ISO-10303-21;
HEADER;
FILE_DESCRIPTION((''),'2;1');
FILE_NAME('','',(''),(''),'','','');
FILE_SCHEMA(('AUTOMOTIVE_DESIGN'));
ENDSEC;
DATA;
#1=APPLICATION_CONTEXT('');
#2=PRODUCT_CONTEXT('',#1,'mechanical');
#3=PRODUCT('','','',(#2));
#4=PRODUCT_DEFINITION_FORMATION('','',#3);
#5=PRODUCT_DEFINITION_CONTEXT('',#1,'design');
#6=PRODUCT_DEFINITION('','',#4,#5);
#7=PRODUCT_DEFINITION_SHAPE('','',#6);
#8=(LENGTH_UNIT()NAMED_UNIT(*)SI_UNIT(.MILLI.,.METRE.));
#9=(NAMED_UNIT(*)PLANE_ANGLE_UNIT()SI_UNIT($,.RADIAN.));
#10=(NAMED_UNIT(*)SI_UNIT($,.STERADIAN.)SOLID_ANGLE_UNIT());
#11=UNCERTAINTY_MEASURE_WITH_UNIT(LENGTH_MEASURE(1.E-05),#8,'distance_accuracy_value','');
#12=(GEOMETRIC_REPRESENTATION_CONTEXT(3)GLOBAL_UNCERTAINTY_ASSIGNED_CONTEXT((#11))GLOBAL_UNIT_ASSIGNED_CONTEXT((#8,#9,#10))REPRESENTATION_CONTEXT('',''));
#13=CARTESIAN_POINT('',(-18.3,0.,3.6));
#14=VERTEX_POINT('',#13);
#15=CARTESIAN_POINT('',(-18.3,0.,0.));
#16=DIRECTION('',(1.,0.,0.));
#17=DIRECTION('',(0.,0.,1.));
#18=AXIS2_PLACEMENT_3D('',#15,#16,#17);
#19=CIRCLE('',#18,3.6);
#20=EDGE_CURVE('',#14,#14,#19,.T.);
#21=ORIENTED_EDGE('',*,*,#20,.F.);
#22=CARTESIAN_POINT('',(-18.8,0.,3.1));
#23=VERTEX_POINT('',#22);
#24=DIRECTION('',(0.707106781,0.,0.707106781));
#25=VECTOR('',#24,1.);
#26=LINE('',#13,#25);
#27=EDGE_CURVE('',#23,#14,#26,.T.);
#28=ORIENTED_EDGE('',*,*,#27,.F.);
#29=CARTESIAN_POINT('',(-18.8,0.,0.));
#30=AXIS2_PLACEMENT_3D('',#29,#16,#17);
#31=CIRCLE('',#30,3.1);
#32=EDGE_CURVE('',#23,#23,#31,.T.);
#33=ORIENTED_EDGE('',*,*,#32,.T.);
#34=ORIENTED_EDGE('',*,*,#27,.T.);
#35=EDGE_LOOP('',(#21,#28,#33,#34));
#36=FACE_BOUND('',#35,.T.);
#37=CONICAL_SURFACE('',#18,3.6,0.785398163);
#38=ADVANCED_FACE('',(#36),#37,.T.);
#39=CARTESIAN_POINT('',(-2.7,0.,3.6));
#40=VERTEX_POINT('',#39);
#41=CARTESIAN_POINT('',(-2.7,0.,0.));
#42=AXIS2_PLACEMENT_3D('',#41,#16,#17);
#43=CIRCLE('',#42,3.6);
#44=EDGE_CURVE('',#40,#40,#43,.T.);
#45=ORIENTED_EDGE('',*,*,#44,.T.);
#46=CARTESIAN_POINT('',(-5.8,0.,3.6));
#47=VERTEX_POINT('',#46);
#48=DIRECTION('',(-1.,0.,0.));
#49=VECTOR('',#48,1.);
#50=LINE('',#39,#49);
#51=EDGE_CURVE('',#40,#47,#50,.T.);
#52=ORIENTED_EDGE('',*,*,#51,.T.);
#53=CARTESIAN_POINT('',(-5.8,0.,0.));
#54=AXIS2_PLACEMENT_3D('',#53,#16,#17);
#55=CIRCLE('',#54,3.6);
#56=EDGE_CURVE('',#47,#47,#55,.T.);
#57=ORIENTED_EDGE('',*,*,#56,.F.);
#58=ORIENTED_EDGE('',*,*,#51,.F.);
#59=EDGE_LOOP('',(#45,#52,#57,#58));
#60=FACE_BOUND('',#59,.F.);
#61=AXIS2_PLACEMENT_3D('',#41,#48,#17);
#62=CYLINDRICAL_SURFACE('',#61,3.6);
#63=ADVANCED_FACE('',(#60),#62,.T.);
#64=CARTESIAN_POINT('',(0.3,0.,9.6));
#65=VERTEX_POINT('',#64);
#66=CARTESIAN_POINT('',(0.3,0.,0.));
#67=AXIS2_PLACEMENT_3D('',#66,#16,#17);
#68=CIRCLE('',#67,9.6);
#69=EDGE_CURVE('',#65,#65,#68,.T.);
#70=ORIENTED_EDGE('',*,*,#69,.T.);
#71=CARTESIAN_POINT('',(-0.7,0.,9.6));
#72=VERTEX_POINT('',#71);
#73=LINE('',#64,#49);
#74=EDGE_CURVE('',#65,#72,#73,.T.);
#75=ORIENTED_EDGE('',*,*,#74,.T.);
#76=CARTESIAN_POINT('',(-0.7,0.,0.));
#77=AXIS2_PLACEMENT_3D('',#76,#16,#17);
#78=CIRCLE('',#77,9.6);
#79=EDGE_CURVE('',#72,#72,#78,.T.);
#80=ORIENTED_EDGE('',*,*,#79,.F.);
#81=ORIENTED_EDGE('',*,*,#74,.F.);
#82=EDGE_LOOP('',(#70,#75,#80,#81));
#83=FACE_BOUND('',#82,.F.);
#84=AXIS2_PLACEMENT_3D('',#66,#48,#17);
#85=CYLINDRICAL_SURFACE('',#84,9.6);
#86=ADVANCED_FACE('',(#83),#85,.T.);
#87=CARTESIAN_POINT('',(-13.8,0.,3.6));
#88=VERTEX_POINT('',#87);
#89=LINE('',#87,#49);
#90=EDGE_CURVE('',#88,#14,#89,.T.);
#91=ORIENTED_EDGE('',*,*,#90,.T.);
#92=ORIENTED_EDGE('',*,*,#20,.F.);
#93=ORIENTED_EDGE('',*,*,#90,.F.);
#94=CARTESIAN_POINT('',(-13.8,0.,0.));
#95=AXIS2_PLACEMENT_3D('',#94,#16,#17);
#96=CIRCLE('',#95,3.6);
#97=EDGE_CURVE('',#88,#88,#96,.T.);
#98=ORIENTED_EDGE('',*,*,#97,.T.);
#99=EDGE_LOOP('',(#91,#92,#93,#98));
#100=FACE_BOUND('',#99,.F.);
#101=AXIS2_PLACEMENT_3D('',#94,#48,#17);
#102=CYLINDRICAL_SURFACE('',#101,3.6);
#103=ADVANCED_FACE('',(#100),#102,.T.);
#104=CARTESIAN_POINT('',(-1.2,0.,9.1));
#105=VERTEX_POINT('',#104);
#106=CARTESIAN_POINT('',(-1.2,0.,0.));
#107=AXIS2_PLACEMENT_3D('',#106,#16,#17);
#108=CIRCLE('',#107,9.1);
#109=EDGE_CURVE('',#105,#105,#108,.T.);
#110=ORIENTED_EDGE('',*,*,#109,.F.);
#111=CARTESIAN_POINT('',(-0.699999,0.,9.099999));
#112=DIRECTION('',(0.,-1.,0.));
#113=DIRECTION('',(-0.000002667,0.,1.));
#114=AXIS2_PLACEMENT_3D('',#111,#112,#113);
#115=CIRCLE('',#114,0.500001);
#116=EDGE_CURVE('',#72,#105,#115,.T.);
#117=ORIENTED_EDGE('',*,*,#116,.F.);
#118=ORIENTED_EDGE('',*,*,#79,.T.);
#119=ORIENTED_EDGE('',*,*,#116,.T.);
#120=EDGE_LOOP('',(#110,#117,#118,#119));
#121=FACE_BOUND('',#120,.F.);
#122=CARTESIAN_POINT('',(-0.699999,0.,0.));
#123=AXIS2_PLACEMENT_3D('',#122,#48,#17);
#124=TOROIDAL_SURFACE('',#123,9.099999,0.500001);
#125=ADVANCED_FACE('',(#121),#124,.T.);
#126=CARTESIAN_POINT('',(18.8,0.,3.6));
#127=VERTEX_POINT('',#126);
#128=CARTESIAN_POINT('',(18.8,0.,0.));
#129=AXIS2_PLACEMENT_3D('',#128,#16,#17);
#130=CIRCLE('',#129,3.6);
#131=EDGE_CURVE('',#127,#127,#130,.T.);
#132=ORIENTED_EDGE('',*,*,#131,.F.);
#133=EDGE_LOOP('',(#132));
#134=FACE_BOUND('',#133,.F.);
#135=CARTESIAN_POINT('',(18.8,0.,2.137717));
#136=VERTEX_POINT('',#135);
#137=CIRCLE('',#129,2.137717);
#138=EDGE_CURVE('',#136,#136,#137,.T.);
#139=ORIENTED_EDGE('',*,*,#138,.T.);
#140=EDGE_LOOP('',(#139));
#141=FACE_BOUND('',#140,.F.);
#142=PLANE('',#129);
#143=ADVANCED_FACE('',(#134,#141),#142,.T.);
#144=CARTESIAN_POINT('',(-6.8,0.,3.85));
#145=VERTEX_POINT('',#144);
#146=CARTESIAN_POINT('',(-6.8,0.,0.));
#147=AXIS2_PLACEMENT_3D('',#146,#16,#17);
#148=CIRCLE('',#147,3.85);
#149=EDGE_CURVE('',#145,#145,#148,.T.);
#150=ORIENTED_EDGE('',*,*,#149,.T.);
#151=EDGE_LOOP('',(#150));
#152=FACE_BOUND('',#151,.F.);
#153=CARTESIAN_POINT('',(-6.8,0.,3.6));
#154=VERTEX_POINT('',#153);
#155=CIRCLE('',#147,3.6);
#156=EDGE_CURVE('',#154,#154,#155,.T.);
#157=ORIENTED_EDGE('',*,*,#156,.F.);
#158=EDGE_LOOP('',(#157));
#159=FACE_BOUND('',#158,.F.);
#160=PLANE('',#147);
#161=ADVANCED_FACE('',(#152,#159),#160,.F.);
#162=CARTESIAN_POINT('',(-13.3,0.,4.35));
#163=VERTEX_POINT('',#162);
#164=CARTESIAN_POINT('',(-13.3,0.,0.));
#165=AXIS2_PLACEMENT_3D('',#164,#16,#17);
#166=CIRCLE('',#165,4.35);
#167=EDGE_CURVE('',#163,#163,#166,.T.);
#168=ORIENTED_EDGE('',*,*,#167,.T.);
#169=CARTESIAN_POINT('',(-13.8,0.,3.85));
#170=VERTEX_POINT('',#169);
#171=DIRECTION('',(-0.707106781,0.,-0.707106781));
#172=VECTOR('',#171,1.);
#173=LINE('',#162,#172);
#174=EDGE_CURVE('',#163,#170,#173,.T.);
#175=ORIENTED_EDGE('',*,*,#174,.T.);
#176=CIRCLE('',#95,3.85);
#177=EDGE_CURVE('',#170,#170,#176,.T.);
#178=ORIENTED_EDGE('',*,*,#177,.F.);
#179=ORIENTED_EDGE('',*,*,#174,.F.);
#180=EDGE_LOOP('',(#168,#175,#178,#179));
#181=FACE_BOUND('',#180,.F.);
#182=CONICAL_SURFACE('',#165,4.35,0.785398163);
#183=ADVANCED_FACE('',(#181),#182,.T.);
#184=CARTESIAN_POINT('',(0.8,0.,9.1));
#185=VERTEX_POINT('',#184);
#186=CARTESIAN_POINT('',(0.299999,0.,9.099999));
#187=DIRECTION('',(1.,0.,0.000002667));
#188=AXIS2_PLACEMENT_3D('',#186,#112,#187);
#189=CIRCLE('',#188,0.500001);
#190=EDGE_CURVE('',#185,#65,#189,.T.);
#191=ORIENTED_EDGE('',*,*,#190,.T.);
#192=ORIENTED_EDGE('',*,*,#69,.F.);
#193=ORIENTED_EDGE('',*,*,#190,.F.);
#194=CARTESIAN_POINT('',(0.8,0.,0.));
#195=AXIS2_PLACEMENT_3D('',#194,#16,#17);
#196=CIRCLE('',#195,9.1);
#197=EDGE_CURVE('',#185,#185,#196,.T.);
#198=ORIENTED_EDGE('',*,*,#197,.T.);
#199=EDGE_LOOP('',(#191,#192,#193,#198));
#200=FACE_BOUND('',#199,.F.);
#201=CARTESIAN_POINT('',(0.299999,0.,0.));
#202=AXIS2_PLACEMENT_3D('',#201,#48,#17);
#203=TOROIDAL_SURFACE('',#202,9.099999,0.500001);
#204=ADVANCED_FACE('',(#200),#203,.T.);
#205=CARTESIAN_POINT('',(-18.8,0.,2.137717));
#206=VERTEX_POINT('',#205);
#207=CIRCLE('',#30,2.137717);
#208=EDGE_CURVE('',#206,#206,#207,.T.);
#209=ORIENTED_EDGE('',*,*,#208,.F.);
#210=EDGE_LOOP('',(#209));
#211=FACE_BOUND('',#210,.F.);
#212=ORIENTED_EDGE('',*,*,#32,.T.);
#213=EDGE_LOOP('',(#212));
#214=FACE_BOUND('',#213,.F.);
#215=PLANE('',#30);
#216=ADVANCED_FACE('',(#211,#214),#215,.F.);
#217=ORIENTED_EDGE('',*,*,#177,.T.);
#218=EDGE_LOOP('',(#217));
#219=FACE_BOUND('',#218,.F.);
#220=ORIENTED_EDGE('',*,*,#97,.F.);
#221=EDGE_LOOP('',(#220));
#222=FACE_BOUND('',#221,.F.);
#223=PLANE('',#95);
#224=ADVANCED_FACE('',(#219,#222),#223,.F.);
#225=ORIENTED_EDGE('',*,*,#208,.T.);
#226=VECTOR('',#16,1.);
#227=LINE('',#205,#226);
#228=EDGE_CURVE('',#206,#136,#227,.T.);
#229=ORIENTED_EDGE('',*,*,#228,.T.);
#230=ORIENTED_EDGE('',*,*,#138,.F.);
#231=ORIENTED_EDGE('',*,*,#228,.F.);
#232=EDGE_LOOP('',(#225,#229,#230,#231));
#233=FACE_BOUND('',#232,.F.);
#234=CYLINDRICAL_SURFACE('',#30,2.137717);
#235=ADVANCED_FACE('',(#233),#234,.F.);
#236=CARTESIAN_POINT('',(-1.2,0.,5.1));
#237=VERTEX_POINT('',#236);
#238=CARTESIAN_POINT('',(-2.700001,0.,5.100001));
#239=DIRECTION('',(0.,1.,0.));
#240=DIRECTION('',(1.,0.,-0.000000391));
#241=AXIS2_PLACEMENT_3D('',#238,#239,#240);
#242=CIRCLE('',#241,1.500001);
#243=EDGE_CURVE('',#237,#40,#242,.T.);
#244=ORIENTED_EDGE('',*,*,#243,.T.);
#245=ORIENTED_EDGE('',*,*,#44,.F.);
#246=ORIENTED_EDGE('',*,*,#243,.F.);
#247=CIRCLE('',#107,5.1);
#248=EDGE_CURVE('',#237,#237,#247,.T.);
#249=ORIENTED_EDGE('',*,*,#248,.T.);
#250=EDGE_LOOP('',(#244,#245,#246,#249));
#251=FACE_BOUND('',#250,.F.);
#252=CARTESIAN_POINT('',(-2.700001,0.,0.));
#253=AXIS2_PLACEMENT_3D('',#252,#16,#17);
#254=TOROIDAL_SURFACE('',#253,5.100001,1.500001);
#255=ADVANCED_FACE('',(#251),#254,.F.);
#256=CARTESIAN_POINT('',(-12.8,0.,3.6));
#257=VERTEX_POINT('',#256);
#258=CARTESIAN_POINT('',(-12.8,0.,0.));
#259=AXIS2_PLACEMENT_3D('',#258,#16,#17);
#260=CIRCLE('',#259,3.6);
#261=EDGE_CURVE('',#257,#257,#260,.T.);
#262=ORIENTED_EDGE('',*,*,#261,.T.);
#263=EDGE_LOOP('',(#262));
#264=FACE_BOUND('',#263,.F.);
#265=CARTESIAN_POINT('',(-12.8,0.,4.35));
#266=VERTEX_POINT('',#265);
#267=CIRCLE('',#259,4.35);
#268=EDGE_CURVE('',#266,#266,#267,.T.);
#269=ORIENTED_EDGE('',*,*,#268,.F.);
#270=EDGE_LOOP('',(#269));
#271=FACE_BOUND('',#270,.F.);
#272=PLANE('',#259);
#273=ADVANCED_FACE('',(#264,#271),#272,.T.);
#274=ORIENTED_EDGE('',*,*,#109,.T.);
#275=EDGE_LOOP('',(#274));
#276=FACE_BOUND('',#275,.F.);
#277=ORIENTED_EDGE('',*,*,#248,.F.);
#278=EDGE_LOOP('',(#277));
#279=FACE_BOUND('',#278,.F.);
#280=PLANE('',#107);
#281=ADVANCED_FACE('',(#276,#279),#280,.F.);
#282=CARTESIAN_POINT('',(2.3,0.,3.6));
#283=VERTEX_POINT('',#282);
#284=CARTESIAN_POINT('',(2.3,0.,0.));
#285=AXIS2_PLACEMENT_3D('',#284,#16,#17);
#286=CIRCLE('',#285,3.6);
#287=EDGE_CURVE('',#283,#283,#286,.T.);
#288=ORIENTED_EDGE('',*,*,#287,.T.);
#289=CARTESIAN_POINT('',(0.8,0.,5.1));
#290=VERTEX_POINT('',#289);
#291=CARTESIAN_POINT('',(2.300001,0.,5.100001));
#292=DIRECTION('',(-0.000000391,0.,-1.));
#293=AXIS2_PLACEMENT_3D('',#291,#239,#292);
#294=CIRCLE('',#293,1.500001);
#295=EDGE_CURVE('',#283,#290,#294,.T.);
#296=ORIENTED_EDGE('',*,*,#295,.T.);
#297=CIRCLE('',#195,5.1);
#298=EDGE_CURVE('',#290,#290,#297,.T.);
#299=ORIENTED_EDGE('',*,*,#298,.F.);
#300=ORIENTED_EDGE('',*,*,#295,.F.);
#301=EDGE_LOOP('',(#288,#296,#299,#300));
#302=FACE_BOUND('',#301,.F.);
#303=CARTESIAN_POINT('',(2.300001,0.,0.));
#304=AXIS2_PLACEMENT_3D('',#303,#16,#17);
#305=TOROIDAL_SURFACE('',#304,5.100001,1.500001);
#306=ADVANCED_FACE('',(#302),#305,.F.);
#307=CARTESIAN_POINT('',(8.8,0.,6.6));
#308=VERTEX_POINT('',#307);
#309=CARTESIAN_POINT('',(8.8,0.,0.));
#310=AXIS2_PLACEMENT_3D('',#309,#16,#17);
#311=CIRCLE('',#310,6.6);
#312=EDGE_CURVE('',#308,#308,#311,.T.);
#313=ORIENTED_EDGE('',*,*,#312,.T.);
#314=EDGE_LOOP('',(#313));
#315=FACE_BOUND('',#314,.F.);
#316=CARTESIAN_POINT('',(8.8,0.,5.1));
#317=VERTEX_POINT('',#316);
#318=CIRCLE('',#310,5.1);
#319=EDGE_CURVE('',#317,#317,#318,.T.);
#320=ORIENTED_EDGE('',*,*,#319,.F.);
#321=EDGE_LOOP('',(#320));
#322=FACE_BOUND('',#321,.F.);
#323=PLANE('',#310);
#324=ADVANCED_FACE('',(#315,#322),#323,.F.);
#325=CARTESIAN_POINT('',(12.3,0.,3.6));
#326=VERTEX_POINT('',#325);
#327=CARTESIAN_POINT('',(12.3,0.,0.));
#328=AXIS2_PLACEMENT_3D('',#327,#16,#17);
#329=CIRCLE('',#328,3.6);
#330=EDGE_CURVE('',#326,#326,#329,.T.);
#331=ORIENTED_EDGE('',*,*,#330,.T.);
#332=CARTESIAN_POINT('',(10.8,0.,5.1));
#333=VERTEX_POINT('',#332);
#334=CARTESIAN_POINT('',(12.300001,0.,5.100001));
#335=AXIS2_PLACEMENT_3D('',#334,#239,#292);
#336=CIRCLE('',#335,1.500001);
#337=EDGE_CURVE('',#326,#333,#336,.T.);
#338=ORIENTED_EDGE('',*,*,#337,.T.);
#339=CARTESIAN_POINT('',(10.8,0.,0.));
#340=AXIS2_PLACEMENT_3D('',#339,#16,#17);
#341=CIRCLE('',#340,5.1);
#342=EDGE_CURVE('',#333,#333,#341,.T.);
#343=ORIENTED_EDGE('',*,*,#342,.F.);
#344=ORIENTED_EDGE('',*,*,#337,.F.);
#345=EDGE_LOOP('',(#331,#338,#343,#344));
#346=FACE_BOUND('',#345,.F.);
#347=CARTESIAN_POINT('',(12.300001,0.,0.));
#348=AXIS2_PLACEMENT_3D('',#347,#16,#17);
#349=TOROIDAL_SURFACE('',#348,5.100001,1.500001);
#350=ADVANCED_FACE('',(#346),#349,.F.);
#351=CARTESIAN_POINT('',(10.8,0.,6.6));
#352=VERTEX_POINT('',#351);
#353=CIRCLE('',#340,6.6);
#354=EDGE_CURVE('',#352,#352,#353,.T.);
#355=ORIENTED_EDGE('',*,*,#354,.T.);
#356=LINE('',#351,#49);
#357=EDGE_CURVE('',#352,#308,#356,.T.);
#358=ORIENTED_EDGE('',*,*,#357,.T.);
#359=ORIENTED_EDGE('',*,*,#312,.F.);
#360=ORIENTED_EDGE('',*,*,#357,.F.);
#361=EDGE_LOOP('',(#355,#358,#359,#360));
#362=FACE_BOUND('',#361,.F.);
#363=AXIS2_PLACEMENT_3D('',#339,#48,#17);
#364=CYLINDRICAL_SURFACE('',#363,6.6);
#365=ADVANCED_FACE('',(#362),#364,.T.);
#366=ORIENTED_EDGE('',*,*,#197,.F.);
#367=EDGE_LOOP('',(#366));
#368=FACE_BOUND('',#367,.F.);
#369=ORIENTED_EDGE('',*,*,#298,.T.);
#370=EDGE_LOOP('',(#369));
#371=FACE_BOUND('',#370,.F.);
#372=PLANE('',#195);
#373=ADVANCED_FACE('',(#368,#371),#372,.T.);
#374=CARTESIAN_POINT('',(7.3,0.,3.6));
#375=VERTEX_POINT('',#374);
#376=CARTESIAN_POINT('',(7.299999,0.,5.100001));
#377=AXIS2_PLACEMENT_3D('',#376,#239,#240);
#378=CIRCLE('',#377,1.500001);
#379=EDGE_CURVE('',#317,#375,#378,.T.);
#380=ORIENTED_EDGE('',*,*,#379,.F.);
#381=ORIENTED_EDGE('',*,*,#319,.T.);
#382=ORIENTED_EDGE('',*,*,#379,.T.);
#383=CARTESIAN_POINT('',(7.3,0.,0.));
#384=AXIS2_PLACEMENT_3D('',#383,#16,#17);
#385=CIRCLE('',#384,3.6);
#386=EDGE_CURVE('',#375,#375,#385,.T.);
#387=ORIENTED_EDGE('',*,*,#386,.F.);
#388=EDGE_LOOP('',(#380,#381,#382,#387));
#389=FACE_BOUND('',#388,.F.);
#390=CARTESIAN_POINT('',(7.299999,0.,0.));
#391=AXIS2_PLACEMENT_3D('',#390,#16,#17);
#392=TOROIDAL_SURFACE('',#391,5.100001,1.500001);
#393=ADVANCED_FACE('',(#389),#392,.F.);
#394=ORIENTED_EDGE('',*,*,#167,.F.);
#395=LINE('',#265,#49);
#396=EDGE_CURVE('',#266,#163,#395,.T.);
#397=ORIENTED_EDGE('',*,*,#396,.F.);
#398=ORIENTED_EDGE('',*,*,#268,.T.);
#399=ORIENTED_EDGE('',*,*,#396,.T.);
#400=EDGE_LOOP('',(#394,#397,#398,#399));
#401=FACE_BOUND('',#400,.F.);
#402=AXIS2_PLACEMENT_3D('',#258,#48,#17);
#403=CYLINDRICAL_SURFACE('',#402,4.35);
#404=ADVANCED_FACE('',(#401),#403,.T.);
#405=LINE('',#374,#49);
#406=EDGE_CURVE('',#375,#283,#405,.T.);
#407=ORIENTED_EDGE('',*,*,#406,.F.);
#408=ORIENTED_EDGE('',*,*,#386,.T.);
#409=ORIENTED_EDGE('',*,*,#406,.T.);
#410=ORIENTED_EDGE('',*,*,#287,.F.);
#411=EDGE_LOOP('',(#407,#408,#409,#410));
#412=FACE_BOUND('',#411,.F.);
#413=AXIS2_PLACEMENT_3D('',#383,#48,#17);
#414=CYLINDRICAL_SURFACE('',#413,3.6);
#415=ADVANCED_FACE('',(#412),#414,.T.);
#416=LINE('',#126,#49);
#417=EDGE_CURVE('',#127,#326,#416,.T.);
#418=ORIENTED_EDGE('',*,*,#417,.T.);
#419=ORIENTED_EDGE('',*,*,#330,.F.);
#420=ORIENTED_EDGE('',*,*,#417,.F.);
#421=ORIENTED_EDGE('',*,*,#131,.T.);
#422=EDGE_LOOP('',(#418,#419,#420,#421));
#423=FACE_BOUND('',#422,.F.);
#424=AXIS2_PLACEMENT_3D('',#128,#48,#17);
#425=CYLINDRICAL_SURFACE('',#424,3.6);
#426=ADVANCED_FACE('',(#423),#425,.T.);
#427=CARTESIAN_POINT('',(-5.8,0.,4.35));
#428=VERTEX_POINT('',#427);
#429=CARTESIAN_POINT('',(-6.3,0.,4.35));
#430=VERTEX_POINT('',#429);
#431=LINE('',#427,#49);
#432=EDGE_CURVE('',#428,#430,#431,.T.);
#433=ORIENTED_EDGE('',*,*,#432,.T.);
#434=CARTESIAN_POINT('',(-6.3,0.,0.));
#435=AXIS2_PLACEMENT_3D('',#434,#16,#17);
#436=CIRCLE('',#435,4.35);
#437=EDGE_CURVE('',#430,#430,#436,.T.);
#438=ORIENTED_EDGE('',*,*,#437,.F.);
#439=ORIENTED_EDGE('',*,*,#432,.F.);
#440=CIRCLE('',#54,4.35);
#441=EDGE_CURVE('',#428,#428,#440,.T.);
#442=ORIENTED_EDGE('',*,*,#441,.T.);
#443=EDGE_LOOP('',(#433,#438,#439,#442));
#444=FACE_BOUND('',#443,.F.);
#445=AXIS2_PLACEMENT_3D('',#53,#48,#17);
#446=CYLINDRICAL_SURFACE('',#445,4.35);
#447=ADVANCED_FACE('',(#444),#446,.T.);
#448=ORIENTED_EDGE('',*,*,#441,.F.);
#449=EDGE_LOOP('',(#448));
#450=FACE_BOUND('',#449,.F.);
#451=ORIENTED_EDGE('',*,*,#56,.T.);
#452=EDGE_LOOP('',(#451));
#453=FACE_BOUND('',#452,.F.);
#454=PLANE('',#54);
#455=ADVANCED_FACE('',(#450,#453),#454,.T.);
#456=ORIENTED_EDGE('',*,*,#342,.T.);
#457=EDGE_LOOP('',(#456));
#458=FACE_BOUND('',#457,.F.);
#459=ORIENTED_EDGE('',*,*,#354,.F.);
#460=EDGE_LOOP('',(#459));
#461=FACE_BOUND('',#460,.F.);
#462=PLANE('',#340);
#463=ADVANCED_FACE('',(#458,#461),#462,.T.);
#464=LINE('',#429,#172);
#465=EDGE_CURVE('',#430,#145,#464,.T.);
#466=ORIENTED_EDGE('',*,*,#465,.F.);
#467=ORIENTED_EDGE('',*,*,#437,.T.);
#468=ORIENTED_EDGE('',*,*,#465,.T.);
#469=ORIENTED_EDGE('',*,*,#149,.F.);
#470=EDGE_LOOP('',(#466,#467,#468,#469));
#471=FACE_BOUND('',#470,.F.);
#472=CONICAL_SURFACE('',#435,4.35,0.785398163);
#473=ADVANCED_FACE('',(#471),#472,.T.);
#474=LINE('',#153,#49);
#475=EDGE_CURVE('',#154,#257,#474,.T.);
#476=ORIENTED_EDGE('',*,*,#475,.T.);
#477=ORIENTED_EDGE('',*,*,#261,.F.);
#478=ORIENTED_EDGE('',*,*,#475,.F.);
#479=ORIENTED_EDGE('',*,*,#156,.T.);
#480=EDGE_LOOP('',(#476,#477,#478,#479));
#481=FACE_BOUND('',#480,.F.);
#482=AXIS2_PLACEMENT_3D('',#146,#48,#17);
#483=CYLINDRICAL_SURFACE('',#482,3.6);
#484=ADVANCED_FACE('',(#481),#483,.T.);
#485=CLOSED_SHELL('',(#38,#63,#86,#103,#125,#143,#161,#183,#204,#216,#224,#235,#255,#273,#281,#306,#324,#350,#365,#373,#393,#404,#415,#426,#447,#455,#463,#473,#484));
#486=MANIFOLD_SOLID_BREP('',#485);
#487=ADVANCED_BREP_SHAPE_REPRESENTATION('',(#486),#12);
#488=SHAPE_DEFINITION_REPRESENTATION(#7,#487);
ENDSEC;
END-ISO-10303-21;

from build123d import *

# Parameters (mm, degrees)
F2_SIZE = 0.5


with BuildPart() as f1:
    # F0 (on Front) → F1 (revolve)
    with BuildSketch(Plane.XZ):
        with BuildLine():
            Line((-18.8, 3.6), (-18.8, 2.137717))
            Line((-18.8, 2.137717), (18.8, 2.137717))
            Line((18.8, 2.137717), (18.8, 3.6))
            Line((18.8, 3.6), (12.3, 3.6))
            ThreePointArc((12.3, 3.6), (11.23934, 4.03934), (10.8, 5.1))
            Line((10.8, 5.1), (10.8, 6.6))
            Line((10.8, 6.6), (8.8, 6.6))
            Line((8.8, 6.6), (8.8, 5.1))
            ThreePointArc((8.8, 5.1), (8.36066, 4.03934), (7.3, 3.6))
            Line((7.3, 3.6), (2.3, 3.6))
            ThreePointArc((2.3, 3.6), (1.23934, 4.03934), (0.8, 5.1))
            Line((0.8, 5.1), (0.8, 9.1))
            ThreePointArc((0.8, 9.1), (0.653553, 9.453553), (0.3, 9.6))
            Line((0.3, 9.6), (-0.7, 9.6))
            ThreePointArc((-0.7, 9.6), (-1.053553, 9.453553), (-1.2, 9.1))
            Line((-1.2, 9.1), (-1.2, 5.1))
            ThreePointArc((-1.2, 5.1), (-1.63934, 4.03934), (-2.7, 3.6))
            Line((-2.7, 3.6), (-5.8, 3.6))
            Line((-5.8, 3.6), (-5.8, 4.35))
            Line((-5.8, 4.35), (-6.8, 4.35))
            Line((-6.8, 4.35), (-6.8, 3.6))
            Line((-6.8, 3.6), (-12.8, 3.6))
            Line((-12.8, 3.6), (-12.8, 4.35))
            Line((-12.8, 4.35), (-13.8, 4.35))
            Line((-13.8, 4.35), (-13.8, 3.6))
            Line((-13.8, 3.6), (-18.8, 3.6))
        make_face()
    revolve(axis=Axis((0, 0, 0), (1, 0, 0)))

    # F2
    f2_edges = [f1.edges().sort_by_distance(p)[0] for p in [
        (-18.8, 0, -3.6),
        (-13.8, 0, -4.35),
        (-6.8, 0, -4.35),
    ]]
    chamfer(f2_edges, length=F2_SIZE)


solid = f1.part
